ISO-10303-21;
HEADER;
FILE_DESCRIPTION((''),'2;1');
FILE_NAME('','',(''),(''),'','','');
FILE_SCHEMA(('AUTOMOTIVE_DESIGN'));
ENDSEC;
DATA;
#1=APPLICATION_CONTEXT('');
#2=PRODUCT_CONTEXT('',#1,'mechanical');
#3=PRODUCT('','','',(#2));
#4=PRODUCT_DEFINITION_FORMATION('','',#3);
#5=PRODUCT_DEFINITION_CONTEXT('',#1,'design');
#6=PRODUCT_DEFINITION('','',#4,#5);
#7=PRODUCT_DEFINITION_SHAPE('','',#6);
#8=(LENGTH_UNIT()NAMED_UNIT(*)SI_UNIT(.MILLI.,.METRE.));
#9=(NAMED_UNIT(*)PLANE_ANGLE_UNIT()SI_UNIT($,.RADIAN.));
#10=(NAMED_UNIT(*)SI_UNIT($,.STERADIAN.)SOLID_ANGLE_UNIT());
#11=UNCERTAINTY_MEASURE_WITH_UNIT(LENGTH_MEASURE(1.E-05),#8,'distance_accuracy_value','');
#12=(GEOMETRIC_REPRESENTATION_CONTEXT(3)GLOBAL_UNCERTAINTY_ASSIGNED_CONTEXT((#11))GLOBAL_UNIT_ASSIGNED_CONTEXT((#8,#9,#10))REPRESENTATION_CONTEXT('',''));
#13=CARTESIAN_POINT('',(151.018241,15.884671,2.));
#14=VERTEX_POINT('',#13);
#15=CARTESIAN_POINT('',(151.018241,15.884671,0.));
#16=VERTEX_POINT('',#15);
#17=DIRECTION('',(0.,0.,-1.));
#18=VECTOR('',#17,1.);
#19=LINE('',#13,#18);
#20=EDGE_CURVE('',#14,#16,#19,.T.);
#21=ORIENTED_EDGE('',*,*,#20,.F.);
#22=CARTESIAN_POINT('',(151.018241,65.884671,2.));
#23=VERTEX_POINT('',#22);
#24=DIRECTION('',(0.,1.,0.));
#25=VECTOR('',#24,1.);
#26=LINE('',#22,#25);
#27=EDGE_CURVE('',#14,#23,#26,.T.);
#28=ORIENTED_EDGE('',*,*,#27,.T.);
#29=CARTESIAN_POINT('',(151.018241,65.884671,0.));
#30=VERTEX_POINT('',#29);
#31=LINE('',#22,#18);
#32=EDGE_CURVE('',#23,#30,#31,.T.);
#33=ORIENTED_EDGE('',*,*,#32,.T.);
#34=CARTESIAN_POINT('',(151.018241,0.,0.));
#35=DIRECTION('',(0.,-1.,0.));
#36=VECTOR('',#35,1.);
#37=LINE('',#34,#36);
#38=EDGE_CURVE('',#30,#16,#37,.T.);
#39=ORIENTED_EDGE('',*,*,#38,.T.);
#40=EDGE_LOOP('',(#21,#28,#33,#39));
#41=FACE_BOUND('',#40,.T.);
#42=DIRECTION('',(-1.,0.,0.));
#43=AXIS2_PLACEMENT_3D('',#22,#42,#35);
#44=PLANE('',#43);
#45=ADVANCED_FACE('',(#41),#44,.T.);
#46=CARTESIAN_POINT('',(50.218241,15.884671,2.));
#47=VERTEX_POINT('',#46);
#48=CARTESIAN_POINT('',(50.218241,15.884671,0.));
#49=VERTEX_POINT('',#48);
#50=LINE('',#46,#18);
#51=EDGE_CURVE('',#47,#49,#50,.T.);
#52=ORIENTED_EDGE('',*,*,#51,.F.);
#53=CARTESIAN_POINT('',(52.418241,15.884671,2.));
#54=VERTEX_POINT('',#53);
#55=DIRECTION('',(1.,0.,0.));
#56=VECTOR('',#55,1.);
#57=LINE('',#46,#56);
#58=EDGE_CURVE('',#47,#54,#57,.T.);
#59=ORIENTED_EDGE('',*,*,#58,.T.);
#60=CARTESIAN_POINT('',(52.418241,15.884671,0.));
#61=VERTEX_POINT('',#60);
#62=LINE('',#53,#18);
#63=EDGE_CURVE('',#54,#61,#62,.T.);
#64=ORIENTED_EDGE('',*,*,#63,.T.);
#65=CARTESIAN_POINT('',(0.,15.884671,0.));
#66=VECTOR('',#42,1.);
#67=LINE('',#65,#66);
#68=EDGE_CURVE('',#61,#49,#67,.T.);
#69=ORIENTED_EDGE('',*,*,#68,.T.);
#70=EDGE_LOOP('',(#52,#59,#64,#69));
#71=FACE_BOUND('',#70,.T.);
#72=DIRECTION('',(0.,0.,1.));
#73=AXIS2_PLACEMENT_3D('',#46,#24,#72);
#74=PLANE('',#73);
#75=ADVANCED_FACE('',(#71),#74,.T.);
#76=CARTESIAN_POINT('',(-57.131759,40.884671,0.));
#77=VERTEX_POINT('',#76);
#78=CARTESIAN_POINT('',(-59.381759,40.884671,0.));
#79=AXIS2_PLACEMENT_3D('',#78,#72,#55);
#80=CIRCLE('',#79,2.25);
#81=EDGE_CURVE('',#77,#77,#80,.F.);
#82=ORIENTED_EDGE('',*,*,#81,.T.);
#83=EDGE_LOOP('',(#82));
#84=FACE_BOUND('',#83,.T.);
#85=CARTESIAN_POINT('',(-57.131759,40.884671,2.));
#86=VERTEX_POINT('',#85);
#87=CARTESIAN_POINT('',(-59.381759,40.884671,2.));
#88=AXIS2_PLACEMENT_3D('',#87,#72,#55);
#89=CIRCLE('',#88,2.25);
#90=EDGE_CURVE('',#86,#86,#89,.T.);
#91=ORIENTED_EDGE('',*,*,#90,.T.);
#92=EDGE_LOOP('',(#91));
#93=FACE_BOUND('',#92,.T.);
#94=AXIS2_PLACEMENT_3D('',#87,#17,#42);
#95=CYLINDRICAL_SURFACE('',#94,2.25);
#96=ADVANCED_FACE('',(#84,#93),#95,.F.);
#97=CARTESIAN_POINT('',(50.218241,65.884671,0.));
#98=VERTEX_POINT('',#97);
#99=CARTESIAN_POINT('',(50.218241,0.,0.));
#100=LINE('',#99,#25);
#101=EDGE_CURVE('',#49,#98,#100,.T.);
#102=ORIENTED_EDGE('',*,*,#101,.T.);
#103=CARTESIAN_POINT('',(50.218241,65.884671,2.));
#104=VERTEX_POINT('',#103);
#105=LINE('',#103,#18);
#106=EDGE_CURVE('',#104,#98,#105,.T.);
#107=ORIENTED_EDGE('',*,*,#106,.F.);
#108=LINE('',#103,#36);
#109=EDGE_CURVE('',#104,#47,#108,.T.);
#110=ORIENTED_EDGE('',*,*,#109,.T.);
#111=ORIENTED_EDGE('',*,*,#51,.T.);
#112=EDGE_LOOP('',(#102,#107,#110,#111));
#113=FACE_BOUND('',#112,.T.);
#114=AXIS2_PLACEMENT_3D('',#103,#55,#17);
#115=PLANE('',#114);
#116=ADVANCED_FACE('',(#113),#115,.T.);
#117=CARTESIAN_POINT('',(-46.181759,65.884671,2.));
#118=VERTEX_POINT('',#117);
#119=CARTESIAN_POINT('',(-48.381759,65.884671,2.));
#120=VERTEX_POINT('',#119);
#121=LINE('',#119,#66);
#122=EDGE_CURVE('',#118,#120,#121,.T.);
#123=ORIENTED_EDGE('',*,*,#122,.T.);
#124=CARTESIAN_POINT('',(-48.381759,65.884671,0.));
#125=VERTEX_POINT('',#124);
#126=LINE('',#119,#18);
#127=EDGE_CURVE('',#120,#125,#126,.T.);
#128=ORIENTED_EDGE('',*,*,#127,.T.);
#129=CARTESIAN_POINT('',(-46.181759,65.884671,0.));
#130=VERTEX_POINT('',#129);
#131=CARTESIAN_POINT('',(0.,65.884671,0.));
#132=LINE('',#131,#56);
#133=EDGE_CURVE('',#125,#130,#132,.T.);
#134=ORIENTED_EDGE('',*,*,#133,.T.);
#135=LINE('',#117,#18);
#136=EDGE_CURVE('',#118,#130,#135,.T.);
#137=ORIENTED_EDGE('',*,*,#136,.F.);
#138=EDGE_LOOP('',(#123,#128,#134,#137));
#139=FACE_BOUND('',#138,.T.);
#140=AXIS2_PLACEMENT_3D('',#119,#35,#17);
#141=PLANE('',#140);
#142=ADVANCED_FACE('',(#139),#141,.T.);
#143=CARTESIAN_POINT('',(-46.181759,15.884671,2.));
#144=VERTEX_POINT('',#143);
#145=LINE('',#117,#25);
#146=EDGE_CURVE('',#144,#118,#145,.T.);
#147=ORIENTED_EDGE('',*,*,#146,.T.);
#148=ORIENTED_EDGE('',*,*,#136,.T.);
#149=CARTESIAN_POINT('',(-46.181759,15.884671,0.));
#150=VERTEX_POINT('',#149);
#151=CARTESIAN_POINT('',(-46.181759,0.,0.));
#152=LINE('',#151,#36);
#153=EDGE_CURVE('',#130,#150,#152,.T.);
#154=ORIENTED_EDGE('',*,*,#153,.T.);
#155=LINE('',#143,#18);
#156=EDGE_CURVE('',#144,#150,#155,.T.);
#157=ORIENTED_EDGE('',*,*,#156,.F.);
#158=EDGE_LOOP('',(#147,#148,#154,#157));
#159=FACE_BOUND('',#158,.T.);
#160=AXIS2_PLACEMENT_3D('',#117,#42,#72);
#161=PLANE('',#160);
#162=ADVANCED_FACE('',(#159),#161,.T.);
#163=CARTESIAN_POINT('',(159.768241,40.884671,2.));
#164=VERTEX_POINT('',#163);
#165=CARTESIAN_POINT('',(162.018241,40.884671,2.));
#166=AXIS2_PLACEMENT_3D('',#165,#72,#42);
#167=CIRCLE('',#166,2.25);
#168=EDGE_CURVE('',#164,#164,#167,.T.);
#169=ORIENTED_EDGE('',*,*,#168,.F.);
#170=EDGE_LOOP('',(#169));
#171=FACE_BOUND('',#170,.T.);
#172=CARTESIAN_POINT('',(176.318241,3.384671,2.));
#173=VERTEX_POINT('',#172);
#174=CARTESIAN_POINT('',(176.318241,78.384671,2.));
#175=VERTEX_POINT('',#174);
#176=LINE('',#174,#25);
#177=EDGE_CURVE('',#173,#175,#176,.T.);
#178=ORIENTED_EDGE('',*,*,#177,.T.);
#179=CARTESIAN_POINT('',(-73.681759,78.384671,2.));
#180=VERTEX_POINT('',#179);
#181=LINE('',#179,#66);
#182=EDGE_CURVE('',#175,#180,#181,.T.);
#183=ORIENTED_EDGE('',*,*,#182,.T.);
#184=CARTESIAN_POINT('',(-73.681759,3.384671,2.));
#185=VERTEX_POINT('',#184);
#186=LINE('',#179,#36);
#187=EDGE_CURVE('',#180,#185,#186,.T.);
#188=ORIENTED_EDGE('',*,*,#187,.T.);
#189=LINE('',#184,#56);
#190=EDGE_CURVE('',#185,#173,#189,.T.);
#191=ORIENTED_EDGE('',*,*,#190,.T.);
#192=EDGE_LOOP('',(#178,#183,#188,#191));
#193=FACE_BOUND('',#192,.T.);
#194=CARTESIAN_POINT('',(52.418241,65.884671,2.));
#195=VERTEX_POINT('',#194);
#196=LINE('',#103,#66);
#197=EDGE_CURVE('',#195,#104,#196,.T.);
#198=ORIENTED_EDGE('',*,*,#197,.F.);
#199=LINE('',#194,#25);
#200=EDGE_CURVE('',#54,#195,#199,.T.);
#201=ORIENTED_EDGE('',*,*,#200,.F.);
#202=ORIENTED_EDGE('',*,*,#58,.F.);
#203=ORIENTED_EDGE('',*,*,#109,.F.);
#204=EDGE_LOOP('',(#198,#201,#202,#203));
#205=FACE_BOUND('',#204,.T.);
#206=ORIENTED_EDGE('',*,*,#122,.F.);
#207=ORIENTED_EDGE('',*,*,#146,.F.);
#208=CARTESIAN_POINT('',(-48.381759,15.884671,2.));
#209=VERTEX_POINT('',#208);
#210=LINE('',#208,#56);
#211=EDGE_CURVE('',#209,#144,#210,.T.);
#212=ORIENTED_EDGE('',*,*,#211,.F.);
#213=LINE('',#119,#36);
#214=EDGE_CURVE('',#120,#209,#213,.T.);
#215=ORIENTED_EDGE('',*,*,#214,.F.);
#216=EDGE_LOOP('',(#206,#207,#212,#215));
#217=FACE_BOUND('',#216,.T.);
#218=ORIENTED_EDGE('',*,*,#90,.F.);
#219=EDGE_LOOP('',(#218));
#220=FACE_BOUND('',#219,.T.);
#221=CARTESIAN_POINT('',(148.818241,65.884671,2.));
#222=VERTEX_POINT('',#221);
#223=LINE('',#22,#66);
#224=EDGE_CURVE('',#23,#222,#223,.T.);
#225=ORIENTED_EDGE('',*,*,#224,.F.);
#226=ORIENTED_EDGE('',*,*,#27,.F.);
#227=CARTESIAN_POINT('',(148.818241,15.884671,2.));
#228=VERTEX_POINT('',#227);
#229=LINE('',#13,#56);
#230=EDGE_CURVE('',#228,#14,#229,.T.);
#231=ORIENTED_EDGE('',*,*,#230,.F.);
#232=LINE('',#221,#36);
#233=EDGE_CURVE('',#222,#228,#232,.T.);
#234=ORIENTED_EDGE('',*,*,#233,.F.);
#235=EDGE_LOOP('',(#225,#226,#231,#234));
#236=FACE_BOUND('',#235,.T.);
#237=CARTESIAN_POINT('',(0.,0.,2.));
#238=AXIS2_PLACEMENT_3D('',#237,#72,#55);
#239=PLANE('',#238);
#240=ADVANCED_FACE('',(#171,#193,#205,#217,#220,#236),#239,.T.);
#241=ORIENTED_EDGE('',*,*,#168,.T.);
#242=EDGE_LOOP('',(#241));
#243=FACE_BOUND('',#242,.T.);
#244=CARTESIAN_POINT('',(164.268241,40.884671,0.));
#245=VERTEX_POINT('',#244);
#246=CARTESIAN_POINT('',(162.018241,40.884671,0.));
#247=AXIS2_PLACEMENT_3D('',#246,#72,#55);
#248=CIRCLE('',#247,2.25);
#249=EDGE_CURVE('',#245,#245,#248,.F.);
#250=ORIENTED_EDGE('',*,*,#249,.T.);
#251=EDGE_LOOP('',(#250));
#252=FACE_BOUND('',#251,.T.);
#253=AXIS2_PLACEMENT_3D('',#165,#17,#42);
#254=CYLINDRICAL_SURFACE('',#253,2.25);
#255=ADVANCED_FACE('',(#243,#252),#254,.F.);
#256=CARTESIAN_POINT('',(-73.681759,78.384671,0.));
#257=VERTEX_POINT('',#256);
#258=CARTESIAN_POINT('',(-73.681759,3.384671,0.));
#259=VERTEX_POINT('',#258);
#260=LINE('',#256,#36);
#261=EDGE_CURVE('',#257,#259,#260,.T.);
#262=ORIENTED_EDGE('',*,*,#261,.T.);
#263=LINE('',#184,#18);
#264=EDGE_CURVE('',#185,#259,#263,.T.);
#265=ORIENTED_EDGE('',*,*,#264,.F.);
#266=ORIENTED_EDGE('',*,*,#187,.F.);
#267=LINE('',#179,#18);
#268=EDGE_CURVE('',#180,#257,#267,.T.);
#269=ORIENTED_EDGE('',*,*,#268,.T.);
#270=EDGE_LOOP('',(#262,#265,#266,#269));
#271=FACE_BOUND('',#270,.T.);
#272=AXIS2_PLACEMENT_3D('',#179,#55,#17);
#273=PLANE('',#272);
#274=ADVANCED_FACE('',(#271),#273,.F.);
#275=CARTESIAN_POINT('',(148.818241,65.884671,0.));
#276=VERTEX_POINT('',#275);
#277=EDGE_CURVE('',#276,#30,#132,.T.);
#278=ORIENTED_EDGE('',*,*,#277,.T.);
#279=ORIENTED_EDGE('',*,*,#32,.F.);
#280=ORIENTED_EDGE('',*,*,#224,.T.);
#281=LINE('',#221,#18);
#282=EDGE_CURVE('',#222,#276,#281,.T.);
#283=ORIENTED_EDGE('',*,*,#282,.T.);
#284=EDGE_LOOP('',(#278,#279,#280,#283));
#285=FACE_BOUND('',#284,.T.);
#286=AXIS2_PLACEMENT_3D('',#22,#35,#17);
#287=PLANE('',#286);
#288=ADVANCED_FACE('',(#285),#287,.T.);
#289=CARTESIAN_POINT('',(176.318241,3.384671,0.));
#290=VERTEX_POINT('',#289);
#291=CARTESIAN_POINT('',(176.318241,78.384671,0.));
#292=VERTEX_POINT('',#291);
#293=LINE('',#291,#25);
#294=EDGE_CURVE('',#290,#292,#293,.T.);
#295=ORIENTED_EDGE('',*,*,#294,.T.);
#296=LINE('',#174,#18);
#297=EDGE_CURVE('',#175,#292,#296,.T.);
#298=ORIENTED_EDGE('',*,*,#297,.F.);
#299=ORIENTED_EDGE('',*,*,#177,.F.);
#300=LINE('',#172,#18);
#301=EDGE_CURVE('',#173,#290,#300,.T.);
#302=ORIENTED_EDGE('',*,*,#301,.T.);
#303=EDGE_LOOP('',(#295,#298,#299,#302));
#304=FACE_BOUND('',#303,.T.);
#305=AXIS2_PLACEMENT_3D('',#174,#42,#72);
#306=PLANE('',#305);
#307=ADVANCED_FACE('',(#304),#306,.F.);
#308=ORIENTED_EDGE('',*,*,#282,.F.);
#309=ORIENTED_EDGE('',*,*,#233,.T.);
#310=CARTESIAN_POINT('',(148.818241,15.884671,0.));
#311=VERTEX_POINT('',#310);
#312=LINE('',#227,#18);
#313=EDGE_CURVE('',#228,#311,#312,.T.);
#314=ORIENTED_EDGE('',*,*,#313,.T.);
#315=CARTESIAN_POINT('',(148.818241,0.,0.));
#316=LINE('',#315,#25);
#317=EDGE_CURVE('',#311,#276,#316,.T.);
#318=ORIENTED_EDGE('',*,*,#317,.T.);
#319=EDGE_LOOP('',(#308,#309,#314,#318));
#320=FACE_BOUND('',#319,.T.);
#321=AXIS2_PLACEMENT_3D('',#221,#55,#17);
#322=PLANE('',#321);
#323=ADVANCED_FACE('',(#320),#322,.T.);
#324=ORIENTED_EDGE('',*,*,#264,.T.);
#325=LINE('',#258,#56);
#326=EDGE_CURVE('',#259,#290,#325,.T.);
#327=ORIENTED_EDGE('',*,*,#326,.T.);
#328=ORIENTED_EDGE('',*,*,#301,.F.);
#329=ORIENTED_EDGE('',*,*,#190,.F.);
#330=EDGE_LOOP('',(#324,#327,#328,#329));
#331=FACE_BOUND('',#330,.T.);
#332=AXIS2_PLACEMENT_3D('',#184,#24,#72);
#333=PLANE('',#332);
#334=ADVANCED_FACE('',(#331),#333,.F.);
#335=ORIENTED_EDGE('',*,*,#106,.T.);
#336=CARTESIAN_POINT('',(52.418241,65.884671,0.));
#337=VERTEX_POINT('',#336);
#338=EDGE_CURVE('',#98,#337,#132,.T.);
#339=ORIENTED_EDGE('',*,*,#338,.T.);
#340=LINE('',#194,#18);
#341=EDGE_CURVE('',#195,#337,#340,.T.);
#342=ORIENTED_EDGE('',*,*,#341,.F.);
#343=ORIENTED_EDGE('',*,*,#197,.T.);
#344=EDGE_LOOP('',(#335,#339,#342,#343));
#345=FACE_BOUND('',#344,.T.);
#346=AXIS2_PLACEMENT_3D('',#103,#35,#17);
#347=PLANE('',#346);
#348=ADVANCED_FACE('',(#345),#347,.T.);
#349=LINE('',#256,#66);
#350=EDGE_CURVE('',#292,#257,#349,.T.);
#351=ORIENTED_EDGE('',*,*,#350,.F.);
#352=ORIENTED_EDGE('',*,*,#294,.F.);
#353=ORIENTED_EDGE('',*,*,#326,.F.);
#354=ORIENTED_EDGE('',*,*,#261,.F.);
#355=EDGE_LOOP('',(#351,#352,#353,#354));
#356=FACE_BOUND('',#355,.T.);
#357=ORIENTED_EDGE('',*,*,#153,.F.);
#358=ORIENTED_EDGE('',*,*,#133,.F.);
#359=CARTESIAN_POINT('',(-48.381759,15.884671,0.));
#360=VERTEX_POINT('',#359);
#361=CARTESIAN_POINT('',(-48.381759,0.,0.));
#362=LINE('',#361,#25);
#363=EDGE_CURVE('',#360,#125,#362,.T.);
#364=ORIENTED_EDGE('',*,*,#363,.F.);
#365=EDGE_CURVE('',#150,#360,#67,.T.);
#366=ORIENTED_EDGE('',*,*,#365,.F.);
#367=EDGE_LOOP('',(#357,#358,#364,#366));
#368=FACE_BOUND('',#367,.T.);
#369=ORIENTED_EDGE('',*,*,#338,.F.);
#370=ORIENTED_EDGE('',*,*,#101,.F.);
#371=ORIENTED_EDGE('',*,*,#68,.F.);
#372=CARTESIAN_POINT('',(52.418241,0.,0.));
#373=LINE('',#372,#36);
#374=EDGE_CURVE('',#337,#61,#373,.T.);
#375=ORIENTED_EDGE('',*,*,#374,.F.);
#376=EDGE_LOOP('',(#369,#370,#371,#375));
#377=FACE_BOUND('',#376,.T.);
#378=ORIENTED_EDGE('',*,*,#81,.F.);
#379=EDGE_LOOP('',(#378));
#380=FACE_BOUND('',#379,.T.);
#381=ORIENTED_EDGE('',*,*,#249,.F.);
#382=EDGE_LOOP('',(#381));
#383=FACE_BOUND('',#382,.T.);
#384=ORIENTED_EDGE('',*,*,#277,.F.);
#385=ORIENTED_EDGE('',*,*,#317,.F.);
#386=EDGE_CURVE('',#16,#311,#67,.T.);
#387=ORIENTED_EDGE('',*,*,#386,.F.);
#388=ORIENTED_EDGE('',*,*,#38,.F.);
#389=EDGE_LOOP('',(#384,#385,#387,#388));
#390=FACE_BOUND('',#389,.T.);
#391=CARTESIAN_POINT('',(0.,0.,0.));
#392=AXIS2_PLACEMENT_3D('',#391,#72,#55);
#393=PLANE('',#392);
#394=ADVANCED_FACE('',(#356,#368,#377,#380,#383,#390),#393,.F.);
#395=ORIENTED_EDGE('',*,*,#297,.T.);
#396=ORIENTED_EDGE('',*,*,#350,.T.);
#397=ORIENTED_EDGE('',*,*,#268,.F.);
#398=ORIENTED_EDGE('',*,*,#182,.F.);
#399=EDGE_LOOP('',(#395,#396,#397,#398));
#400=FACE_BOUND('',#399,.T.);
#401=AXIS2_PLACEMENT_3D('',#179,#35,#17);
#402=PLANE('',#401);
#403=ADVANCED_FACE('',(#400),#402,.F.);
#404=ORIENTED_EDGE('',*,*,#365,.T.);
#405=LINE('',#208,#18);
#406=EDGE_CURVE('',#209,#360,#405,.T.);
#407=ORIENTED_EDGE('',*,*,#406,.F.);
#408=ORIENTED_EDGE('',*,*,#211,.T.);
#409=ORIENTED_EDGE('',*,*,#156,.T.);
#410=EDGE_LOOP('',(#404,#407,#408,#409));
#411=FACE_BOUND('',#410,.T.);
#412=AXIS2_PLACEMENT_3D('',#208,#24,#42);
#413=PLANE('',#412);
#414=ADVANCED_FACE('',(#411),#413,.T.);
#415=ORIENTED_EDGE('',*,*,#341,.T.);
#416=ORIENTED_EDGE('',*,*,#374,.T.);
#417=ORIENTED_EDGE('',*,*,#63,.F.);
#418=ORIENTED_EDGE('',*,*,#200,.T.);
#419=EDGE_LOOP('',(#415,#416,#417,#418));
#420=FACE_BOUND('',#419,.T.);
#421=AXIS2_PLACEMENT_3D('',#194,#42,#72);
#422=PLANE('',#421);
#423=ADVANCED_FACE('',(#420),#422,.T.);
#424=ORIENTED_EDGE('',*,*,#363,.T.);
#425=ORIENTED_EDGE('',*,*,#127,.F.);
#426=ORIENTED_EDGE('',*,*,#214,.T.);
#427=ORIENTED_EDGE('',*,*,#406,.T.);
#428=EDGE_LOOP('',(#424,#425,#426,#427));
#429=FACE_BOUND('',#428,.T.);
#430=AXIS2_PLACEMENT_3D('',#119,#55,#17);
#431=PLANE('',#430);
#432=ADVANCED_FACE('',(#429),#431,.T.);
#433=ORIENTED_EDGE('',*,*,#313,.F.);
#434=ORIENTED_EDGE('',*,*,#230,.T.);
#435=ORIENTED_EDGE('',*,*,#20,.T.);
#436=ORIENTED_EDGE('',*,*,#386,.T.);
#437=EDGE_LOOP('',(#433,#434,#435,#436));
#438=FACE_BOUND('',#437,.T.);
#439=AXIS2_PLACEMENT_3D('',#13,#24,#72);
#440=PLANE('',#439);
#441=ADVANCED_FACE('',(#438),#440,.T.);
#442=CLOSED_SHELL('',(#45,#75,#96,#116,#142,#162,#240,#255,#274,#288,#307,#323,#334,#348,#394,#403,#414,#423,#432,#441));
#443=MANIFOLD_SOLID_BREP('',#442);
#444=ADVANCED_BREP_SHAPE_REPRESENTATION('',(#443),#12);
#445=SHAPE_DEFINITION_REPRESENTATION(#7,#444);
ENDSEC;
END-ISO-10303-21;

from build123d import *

# Parameters (mm, degrees)
SKETCH_2_W               = 250
SKETCH_2_H               = 75
EXTRUDE_3_DEPTH          = 2
CUT_EXTRUDE_1_DEPTH      = 2
CUT_EXTRUDE_1_DEPTH_BACK = 2
SKETCH_4_W               = 2.2
SKETCH_4_H               = 50
CUT_EXTRUDE_2_DEPTH      = 2
CUT_EXTRUDE_2_DEPTH_BACK = 10
SKETCH_5_R               = 2.25


with BuildPart() as part:
    # 草图2 → 凸台-拉伸3 (new body)
    with BuildSketch(Plane.XY):
        with Locations((51.318241286, 40.884671024)):
            Rectangle(SKETCH_2_W, SKETCH_2_H)
    extrude(amount=EXTRUDE_3_DEPTH)

    # 草图4 → 切除-拉伸1 (cut, two sides: drawn at the far end of the back side and taken through both)
    with BuildSketch(Plane.XY.offset(-CUT_EXTRUDE_1_DEPTH_BACK)):
        with Locations((149.918241286, 40.884671024)):
            Rectangle(SKETCH_4_W, SKETCH_4_H)
        with Locations((-47.281758714, 40.884671024)):
            Rectangle(SKETCH_4_W, SKETCH_4_H)
        with Locations((51.318241286, 40.884671024)):
            Rectangle(SKETCH_4_W, SKETCH_4_H)
    extrude(amount=CUT_EXTRUDE_1_DEPTH + CUT_EXTRUDE_1_DEPTH_BACK, mode=Mode.SUBTRACT)

    # 草图5 → 切除-拉伸2 (cut, two sides: drawn at the far end of the back side and taken through both)
    with BuildSketch(Plane.XY.offset(-CUT_EXTRUDE_2_DEPTH_BACK)):
        with Locations((-59.381758714, 40.884671024)):
            Circle(SKETCH_5_R)
        with Locations((162.018241286, 40.884671024)):
            Circle(SKETCH_5_R)
    extrude(amount=CUT_EXTRUDE_2_DEPTH + CUT_EXTRUDE_2_DEPTH_BACK, mode=Mode.SUBTRACT)


solid = part.part
